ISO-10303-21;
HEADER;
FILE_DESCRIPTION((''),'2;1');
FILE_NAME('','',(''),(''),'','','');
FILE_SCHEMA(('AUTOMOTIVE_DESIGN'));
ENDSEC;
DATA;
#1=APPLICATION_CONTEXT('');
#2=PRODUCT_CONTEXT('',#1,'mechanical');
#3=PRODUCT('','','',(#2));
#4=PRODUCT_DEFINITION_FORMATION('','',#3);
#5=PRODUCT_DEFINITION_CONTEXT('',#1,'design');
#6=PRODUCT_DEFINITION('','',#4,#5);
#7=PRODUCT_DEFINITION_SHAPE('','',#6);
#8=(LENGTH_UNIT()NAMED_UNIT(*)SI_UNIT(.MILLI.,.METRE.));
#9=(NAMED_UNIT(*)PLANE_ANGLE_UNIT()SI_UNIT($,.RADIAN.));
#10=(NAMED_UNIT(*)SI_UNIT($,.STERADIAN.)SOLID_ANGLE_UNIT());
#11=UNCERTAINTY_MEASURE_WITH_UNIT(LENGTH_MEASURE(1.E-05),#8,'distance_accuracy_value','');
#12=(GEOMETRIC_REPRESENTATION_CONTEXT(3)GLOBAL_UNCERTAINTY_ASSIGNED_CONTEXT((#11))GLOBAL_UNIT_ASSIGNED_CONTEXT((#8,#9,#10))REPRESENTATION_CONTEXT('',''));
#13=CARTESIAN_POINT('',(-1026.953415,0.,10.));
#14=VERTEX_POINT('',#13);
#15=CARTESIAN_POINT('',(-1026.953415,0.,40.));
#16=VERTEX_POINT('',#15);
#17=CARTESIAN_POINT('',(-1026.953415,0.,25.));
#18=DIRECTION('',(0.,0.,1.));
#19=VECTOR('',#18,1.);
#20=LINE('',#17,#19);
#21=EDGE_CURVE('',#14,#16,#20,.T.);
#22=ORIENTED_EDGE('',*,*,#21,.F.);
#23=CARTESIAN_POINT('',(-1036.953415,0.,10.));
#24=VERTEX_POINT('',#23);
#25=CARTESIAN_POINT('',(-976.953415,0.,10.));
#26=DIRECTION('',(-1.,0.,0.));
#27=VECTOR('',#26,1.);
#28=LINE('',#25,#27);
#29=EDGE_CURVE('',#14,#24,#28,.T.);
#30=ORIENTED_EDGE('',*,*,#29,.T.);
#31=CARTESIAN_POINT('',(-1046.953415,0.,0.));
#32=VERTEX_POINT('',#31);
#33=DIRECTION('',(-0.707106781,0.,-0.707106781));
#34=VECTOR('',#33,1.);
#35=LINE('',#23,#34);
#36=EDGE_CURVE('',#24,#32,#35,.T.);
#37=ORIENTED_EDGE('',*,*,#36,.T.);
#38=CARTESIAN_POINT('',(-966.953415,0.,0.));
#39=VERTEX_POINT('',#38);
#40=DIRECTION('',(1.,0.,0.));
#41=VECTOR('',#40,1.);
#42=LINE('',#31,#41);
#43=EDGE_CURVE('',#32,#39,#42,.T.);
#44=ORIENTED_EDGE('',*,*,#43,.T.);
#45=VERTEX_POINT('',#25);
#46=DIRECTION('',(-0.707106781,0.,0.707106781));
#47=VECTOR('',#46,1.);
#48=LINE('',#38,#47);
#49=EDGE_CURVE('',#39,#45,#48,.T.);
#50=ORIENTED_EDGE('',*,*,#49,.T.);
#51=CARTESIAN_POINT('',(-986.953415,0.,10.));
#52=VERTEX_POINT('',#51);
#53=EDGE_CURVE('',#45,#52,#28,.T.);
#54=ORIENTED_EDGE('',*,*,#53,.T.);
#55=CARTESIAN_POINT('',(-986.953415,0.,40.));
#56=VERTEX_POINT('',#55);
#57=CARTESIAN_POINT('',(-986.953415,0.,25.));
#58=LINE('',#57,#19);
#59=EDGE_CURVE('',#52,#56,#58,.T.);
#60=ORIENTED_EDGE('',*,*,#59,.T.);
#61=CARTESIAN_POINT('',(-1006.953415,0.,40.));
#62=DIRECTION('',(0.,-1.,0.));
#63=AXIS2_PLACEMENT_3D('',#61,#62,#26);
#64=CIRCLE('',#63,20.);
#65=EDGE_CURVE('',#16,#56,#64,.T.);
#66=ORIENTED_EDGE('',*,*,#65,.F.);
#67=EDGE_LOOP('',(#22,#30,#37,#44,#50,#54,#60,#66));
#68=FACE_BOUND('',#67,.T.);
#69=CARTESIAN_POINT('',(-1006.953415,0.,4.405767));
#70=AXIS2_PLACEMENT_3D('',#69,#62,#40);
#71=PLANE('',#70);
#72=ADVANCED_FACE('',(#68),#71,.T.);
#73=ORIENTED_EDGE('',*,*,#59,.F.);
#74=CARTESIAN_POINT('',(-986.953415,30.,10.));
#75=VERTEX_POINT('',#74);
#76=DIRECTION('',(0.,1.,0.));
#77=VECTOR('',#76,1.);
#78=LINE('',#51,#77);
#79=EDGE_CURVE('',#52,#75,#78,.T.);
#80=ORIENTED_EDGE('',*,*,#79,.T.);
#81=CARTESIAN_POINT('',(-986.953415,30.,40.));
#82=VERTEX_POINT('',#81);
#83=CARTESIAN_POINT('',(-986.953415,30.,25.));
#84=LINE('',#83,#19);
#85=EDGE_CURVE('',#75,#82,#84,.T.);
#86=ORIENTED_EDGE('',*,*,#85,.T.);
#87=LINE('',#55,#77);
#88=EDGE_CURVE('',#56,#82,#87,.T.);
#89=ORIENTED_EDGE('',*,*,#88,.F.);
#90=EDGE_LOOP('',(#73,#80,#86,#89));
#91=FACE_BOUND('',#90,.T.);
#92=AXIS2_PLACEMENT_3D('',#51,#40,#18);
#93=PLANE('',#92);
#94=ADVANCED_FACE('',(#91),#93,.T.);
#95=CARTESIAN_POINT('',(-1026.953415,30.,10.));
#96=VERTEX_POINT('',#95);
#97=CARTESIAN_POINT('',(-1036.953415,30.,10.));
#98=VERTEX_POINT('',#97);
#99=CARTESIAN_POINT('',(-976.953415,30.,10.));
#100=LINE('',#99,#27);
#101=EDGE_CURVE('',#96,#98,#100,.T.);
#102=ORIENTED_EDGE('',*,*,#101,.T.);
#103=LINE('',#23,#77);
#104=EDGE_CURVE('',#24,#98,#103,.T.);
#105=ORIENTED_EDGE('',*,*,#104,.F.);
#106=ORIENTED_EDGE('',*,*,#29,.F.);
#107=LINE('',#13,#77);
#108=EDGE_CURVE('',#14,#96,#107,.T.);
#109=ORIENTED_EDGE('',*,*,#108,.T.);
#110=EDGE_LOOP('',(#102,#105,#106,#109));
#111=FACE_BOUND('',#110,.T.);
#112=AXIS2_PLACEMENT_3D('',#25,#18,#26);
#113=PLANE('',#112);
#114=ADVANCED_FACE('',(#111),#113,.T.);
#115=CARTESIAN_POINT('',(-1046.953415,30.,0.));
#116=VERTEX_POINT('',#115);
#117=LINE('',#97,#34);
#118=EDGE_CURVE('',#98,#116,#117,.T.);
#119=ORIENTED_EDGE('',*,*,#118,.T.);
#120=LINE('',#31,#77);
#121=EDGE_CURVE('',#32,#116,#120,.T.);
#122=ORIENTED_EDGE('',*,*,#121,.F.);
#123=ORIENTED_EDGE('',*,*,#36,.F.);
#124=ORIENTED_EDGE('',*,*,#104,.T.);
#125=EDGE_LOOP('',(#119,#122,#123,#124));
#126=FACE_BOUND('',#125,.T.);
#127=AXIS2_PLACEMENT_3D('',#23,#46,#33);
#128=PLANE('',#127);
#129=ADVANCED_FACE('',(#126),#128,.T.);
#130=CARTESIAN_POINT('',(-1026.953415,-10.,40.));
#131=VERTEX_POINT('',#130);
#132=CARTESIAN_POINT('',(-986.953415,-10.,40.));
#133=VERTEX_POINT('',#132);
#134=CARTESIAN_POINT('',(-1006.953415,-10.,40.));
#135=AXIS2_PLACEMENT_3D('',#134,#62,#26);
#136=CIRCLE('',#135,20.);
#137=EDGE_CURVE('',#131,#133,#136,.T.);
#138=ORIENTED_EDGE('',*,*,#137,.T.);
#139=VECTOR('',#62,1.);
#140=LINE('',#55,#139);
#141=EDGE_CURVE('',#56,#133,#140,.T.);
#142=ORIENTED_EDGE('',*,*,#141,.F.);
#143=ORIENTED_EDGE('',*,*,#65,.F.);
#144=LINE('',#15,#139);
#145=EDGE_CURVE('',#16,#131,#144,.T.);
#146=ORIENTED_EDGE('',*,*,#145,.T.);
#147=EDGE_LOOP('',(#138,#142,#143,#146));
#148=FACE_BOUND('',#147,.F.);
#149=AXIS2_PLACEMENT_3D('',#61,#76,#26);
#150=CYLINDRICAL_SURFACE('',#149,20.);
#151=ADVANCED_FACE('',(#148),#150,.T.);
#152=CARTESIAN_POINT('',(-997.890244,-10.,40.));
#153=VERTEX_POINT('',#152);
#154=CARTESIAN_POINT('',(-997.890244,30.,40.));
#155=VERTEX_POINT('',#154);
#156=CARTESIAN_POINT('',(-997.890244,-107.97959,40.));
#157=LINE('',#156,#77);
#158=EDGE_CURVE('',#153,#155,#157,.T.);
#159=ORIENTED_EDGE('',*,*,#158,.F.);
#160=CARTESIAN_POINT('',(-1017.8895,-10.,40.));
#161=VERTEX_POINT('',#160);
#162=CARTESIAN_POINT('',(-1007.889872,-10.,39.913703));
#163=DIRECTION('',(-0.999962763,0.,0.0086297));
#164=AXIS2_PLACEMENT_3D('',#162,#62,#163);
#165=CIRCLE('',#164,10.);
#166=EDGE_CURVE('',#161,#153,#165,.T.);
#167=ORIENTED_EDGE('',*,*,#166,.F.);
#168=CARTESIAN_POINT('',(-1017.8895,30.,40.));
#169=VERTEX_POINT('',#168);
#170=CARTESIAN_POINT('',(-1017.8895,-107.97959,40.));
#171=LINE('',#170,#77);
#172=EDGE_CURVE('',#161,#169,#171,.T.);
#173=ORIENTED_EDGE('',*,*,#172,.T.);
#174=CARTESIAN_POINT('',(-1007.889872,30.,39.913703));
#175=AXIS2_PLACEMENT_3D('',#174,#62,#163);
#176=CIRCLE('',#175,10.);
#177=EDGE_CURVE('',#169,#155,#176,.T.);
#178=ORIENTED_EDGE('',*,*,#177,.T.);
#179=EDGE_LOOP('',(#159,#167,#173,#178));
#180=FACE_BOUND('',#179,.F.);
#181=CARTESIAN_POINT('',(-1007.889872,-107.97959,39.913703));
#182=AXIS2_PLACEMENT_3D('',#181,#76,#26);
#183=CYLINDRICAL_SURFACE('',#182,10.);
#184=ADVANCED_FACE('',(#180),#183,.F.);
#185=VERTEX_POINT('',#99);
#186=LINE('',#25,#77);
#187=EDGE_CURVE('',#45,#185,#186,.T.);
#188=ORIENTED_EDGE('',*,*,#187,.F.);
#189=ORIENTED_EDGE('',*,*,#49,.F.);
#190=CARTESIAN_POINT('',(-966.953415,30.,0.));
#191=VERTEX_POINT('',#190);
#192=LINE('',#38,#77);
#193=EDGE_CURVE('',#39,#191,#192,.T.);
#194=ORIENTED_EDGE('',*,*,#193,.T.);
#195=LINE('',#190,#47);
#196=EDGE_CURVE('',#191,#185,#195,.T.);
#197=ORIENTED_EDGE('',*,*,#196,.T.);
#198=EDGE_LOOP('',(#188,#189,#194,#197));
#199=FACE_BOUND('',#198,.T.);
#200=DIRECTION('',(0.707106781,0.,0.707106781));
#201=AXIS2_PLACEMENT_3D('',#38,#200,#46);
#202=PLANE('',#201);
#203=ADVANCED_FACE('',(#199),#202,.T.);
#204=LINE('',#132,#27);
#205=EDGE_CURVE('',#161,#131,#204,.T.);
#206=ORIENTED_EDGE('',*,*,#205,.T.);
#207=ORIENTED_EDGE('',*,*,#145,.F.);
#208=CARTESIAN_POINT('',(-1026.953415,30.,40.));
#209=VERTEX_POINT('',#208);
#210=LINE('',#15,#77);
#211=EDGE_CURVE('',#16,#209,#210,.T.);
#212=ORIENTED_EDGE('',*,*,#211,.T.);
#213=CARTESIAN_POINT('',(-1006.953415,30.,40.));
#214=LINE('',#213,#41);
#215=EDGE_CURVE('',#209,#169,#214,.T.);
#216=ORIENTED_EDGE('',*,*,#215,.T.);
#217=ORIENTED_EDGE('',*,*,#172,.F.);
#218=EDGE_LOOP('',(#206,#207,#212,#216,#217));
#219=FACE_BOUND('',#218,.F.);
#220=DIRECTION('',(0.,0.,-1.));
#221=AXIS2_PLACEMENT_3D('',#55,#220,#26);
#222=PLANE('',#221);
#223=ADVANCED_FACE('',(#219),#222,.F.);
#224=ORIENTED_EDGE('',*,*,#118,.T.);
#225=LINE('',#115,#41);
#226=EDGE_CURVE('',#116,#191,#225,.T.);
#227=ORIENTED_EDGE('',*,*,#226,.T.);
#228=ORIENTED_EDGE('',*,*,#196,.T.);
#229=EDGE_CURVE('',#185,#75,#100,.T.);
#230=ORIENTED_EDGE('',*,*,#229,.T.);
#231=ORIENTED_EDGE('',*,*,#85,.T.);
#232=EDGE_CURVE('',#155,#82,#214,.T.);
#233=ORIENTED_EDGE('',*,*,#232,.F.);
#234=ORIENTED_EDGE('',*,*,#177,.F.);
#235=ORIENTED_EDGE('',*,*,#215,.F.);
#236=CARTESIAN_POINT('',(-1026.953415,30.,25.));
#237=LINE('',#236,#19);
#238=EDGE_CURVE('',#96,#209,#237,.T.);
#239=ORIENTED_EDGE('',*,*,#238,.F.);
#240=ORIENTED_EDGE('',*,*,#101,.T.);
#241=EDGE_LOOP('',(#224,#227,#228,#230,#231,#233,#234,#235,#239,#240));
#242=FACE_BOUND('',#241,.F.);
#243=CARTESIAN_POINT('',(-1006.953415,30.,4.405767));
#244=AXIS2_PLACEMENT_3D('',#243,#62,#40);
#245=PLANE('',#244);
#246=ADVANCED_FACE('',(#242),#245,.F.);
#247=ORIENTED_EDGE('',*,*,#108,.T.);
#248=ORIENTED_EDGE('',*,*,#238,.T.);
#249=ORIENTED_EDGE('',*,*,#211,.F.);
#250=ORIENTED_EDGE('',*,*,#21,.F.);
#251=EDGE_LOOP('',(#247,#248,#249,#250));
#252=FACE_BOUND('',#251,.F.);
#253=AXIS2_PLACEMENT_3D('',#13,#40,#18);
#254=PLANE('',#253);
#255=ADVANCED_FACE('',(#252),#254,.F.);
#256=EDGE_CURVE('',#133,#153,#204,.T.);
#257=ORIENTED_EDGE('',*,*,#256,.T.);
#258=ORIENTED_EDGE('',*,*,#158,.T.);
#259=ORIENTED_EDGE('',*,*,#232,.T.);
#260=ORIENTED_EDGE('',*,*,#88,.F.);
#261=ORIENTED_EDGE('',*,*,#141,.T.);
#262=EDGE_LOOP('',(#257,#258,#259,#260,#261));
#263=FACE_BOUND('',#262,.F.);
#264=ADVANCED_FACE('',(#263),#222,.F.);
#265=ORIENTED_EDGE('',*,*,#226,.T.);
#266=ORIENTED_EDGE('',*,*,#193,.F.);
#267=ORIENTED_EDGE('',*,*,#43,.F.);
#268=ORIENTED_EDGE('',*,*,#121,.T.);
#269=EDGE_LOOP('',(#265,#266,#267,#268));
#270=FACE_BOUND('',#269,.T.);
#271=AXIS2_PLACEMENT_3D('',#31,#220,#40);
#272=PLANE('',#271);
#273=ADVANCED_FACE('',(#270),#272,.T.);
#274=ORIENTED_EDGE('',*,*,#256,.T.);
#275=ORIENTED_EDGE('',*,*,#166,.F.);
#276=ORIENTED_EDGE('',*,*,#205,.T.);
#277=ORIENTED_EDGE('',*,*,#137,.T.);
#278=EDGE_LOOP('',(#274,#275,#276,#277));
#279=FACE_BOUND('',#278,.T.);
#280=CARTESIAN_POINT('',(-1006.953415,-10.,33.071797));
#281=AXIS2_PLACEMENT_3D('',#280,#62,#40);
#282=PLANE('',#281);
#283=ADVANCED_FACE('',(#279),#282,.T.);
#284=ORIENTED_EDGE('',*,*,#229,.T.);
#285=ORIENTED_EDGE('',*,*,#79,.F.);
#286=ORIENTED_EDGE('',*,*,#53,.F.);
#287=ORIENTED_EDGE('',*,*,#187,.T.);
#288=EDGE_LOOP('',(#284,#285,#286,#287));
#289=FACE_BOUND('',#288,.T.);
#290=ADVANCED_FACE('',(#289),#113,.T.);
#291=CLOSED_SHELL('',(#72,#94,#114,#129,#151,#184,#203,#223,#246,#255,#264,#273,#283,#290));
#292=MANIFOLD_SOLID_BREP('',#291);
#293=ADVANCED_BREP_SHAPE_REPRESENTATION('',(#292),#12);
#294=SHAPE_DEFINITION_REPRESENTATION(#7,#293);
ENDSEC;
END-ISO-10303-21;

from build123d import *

# Parameters (mm, degrees)
F1_DEPTH = 30
F2_W     = 40
F2_H     = 30
F3_DEPTH = 30
F5_DEPTH = 10
F7_D     = 20


with BuildPart() as f1:
    # F0 (on Front) → F1 (new body)
    with BuildSketch(Plane.XZ):
        Polygon((-1036.953415, 10), (-1046.953415, 0), (-966.953415, 0), (-976.953415, 10), align=None)
    extrude(amount=-F1_DEPTH)

    # F2 (on face) → F3 (join)
    with BuildSketch(Plane.XZ):
        with Locations((-1006.953415, 25)):
            Rectangle(F2_W, F2_H)
    extrude(amount=-F3_DEPTH)

    # F4 (on face) → F5 (join)
    with BuildSketch(Plane.XZ):
        with BuildLine():
            Line((-986.953415, 40), (-1026.953415, 40))
            ThreePointArc((-1026.953415, 40), (-1006.953415, 20), (-986.953415, 40))
        make_face()
    extrude(amount=F5_DEPTH)

    # F7 (through all)
    with Locations(Plane.XZ.offset(10)):
        with Locations((-1007.889872, 39.913703)):
            Hole(F7_D / 2)


solid = f1.part
